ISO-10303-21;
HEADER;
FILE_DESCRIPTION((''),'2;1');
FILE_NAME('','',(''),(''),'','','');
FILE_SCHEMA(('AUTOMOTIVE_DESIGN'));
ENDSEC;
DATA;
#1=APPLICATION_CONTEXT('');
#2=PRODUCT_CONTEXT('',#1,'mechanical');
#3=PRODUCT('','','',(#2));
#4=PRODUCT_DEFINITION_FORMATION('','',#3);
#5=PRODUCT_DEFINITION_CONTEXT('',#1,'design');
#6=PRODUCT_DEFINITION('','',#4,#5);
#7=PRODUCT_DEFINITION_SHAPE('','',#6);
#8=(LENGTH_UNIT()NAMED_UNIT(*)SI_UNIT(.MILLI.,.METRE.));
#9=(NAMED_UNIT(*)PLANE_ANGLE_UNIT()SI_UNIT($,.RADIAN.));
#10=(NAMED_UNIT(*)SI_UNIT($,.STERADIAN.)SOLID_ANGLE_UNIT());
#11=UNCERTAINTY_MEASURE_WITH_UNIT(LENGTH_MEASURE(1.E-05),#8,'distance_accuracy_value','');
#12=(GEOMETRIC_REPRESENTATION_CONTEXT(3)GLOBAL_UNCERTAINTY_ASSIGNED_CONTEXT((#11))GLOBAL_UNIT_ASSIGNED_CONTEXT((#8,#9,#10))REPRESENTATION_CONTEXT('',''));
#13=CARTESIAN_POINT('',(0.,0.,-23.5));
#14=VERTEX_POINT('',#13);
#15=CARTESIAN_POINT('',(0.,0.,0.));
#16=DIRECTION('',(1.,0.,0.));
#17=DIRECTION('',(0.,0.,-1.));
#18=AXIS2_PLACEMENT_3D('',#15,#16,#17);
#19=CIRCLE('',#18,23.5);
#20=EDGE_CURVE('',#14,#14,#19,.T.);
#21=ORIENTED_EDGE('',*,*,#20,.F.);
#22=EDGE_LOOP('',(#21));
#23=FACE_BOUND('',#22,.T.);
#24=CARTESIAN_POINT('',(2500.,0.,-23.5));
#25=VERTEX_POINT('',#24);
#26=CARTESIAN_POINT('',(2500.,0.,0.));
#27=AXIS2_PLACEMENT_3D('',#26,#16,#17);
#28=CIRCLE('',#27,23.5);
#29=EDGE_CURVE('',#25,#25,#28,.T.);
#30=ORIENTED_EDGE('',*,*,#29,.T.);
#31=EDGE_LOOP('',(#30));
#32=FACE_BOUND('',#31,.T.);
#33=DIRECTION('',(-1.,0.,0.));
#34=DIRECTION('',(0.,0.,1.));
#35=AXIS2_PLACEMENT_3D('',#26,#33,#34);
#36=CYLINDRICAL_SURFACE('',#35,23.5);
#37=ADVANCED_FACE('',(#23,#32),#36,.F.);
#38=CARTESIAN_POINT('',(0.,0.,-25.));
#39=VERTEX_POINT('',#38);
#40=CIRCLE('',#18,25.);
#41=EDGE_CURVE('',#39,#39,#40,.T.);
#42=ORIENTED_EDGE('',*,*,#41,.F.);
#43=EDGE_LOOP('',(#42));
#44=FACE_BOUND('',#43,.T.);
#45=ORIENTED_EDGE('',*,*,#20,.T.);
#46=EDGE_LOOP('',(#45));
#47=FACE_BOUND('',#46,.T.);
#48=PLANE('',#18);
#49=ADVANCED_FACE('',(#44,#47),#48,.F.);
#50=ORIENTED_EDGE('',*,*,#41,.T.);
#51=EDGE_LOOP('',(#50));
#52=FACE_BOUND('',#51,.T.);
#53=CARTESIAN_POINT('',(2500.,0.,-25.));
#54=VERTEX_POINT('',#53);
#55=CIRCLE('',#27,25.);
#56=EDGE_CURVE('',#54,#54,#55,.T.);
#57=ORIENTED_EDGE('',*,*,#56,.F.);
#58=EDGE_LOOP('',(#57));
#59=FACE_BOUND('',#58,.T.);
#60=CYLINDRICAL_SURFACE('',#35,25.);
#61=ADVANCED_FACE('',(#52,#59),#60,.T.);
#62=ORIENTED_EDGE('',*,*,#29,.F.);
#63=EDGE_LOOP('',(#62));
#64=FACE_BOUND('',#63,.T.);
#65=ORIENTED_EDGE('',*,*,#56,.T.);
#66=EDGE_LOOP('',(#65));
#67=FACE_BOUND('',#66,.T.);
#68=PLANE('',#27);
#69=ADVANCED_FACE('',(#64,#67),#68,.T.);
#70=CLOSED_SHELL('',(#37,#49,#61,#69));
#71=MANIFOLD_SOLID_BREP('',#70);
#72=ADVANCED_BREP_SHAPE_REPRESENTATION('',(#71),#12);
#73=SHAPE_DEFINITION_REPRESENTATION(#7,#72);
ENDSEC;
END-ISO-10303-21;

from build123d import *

# Parameters (mm, degrees)
SKETCH1_R           = 25
SKETCH1_R_2         = 23.5
BOSS_EXTRUDE1_DEPTH = 2500


with BuildPart() as part:
    # Sketch1 → Boss-Extrude1 (new body)
    with BuildSketch(Plane(origin=(0, 0, 0), x_dir=(0, 0, -1), z_dir=(1, 0, 0))):
        Circle(SKETCH1_R)
        Circle(SKETCH1_R_2, mode=Mode.SUBTRACT)
    extrude(amount=BOSS_EXTRUDE1_DEPTH)


solid = part.part
